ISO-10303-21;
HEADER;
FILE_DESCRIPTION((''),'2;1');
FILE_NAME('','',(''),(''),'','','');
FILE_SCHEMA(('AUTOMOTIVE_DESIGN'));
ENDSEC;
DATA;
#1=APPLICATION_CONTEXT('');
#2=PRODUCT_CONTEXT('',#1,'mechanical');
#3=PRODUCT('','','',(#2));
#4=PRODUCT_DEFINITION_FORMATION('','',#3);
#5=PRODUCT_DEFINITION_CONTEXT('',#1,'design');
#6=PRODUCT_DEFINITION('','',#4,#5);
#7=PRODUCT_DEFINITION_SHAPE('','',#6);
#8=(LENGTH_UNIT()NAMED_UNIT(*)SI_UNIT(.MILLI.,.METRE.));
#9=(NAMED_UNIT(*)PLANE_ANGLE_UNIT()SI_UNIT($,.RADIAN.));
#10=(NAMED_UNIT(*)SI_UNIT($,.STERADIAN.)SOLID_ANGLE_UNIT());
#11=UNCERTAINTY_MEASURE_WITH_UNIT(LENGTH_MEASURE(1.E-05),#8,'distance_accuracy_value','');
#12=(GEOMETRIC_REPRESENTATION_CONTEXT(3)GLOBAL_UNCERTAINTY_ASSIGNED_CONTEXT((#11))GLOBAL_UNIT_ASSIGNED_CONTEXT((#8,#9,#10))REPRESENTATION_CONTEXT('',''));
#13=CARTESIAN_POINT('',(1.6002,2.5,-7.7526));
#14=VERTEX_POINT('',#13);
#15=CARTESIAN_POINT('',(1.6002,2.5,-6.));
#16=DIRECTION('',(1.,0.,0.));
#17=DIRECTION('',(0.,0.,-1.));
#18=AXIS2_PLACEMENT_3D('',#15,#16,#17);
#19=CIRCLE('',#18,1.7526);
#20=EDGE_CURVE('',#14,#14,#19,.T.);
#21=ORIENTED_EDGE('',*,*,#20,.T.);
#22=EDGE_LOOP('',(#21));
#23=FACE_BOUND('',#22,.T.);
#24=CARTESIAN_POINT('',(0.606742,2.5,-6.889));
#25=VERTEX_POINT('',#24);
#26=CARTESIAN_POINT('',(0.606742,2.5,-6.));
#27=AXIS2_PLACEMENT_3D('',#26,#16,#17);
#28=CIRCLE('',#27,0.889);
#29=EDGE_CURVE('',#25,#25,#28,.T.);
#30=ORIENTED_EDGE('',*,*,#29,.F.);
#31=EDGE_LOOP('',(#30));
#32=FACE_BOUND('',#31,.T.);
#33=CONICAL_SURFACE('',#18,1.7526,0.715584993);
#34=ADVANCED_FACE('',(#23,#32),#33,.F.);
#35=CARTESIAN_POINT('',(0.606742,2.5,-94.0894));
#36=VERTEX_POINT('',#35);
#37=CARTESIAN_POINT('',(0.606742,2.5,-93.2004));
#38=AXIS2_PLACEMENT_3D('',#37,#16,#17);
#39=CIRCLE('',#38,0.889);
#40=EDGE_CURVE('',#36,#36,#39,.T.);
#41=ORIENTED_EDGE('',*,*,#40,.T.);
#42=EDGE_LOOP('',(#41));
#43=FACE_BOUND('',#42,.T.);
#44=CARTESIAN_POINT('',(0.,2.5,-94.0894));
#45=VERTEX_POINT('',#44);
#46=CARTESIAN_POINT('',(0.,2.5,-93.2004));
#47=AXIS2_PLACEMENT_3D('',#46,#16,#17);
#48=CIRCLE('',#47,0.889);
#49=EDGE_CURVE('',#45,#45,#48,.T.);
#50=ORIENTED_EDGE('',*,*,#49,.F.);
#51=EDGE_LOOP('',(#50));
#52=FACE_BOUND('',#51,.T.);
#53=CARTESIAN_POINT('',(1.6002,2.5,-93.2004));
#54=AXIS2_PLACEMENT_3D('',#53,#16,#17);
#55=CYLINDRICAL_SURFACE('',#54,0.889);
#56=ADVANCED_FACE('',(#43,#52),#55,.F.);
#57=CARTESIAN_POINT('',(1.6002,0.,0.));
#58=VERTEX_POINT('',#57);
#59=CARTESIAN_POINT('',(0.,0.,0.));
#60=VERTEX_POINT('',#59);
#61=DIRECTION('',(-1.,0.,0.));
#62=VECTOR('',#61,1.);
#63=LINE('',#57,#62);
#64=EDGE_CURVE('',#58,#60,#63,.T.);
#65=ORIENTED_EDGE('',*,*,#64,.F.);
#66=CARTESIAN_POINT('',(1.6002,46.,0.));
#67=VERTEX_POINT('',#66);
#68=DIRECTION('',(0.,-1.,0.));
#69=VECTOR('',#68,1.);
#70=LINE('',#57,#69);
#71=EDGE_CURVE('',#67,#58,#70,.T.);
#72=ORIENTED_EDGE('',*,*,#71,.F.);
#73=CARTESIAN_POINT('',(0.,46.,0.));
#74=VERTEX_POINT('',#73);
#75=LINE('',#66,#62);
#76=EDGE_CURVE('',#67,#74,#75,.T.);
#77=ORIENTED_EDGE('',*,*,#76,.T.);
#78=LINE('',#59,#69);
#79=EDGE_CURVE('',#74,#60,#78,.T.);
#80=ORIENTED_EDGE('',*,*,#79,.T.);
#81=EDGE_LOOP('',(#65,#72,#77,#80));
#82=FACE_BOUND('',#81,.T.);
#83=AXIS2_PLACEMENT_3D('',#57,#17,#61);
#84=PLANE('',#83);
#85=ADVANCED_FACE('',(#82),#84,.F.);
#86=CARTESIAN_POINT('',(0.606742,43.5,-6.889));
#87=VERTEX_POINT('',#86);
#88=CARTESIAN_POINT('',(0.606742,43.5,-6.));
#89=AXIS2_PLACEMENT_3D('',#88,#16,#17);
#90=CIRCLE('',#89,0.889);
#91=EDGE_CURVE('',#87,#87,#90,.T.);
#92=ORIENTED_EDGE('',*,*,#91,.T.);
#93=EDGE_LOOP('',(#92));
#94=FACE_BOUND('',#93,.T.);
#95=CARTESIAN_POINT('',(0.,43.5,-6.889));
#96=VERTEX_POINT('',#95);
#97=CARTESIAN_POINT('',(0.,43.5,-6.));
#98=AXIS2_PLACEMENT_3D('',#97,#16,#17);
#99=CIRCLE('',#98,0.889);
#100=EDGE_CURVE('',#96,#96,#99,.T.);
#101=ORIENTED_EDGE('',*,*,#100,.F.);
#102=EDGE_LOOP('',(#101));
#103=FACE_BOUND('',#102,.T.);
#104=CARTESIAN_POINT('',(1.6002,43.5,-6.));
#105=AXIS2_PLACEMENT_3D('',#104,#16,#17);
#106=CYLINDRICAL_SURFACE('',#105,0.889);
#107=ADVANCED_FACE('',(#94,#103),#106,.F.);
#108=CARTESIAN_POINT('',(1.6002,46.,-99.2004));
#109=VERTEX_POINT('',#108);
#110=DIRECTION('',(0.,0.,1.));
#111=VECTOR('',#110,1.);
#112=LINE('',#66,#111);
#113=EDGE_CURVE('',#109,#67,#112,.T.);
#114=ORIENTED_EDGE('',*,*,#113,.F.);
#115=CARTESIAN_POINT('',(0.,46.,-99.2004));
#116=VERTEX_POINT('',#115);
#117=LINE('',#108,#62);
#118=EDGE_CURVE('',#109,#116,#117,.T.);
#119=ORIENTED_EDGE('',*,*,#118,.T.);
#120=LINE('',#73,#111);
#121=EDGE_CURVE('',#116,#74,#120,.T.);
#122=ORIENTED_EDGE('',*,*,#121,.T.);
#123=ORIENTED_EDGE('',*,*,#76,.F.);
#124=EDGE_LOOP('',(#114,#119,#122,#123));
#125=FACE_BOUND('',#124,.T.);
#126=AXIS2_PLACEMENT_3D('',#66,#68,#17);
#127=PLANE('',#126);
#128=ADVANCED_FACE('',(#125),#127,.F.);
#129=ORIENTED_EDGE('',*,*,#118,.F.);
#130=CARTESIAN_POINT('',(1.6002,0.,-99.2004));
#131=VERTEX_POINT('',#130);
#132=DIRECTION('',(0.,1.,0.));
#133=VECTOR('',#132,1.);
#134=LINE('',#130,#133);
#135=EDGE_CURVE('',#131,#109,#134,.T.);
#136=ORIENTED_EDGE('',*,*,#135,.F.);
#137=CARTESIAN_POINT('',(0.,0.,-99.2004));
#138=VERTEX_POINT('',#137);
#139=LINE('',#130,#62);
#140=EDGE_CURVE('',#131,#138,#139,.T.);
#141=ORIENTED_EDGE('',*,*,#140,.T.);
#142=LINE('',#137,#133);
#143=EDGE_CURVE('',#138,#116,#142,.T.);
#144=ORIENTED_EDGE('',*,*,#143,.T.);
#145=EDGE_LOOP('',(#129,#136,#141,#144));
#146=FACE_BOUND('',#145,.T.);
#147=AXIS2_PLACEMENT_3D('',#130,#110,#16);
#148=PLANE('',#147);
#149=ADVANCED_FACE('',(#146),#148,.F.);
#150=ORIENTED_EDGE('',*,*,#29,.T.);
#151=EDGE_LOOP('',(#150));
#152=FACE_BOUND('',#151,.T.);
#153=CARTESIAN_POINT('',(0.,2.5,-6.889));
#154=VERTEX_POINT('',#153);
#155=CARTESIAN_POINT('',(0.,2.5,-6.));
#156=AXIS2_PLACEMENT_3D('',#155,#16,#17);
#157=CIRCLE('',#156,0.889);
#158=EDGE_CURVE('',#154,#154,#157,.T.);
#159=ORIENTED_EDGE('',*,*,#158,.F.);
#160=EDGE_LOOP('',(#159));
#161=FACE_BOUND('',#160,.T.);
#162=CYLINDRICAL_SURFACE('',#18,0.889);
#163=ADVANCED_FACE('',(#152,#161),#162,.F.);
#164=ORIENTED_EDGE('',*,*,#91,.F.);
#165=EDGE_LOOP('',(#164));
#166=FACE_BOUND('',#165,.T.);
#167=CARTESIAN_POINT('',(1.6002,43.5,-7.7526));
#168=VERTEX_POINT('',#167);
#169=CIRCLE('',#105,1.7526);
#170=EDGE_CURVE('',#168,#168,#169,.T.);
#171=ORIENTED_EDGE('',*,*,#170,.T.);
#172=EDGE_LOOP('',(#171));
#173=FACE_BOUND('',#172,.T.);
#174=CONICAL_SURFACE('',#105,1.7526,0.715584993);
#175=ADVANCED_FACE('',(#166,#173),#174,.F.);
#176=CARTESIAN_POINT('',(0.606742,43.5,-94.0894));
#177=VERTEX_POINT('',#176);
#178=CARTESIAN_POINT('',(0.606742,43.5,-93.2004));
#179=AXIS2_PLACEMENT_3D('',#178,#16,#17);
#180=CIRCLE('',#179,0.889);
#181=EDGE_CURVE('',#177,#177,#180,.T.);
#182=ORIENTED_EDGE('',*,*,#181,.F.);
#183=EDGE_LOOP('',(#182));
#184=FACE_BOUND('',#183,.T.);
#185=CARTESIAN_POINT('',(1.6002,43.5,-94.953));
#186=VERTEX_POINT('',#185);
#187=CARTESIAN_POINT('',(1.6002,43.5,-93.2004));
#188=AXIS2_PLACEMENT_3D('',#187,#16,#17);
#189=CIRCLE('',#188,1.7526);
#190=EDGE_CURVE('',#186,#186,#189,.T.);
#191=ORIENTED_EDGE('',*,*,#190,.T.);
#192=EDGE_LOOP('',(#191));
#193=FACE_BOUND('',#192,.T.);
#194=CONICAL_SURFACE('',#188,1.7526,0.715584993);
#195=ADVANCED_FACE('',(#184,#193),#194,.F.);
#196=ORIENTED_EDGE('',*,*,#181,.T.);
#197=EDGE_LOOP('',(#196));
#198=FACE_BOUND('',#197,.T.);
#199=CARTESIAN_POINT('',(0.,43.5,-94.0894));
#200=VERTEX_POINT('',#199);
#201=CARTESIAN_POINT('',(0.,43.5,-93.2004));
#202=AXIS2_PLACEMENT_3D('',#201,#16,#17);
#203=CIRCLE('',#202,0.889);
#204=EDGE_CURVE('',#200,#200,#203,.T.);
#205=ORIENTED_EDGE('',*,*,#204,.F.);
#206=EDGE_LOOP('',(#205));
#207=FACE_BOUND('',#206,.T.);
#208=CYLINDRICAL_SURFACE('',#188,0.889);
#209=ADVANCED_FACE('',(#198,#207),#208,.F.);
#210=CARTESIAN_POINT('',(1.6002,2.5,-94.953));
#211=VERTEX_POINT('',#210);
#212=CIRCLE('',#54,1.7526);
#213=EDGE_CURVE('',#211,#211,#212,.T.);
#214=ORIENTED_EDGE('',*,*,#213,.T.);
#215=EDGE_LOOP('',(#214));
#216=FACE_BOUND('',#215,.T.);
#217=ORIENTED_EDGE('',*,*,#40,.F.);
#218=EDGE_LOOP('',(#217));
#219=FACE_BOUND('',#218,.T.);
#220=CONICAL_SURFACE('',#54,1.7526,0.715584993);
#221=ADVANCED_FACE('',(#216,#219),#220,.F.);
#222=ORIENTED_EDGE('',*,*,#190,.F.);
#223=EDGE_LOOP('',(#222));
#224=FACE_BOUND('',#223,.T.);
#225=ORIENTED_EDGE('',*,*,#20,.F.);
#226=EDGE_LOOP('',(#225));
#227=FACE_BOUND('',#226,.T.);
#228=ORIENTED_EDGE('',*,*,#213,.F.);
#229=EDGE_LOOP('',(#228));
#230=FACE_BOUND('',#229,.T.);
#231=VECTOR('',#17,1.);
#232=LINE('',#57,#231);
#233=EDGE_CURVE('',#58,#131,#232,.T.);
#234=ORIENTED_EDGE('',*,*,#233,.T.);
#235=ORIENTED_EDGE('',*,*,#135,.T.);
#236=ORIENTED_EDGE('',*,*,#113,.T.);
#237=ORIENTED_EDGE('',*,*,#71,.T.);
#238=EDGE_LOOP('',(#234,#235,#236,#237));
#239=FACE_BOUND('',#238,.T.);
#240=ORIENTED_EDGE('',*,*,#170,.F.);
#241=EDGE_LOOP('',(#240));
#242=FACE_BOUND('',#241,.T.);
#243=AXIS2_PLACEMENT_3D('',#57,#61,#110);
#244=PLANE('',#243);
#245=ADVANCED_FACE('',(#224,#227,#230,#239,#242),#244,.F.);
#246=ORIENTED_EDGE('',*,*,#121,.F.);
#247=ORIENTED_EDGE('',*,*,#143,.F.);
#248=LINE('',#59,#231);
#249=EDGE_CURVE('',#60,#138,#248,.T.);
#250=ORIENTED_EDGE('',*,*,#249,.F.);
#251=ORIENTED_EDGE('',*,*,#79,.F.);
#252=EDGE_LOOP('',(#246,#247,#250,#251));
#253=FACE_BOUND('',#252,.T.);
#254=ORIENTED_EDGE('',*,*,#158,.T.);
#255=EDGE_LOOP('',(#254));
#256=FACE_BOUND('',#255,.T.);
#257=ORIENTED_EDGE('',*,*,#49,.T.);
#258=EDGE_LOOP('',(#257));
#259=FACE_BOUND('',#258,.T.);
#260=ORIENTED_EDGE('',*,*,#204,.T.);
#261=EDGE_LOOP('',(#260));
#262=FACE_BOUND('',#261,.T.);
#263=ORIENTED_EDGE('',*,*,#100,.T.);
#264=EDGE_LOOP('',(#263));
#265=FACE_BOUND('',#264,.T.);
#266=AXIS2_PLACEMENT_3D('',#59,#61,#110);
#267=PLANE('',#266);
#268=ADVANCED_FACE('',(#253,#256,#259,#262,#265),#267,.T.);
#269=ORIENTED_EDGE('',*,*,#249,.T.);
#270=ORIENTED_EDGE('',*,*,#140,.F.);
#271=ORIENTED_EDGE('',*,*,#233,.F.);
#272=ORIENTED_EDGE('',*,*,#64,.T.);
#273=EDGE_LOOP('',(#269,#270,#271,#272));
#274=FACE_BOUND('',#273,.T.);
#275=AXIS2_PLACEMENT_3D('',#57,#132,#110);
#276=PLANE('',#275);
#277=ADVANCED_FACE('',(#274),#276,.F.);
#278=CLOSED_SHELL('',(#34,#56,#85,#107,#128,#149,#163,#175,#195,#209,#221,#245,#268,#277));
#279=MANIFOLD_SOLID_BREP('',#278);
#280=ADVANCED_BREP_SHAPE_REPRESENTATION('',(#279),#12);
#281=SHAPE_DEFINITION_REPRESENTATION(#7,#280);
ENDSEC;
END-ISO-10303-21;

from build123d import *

# Parameters (mm, degrees)
SKETCH1_W                                     = 99.2004
SKETCH1_H                                     = 46
BOSS_EXTRUDE1_DEPTH                           = 1.6002
CSK_FOR_0_FLAT_HEAD_SOCKET_CAP_SCREW1_A_COUNT = 2
CSK_FOR_0_FLAT_HEAD_SOCKET_CAP_SCREW1_A_PITCH = 41
CSK_FOR_0_FLAT_HEAD_SOCKET_CAP_SCRE_2_COUNT   = 2
CSK_FOR_0_FLAT_HEAD_SOCKET_CAP_SCRE_2_PITCH   = 96.358236597
CSK_FOR_0_FLAT_HEAD_SOCKET_CAP_SCRE_3_COUNT   = 2
CSK_FOR_0_FLAT_HEAD_SOCKET_CAP_SCRE_3_PITCH   = 87.2004


with BuildPart() as part:
    # Sketch1 → Boss-Extrude1 (new body)
    with BuildSketch(Plane(origin=(0, 0, 0), x_dir=(0, 0, -1), z_dir=(1, 0, 0))):
        with Locations((49.6002, 23)):
            Rectangle(SKETCH1_W, SKETCH1_H)
    extrude(amount=BOSS_EXTRUDE1_DEPTH)

    # Sketch4 → CSK for #0 Flat Head Socket Cap Screw1 (revolve, cut)
    with BuildSketch(Plane(origin=(1.6002, 43.5, -6), x_dir=(0, 0, -1), z_dir=(0, 1, 0))):
        Polygon((0, 0), (0, 1.6002), (0.889, 1.6002), (0.889, 0.993458156), (1.7526, 0), align=None)
    csk_for_0_flat_head_socket_cap_screw1 = revolve(axis=Axis((7.9502, 43.5, -6), (-1, 0, 0)), mode=Mode.SUBTRACT)

    # CSK for #0 Flat Head Socket Cap Screw1 a: CSK for #0 Flat Head Socket Cap Screw1 ×2
    with Locations(*[(0, -i * CSK_FOR_0_FLAT_HEAD_SOCKET_CAP_SCREW1_A_PITCH, 0) for i in range(1, CSK_FOR_0_FLAT_HEAD_SOCKET_CAP_SCREW1_A_COUNT)]):
        add(csk_for_0_flat_head_socket_cap_screw1, mode=Mode.SUBTRACT)

    # CSK for _0 Flat Head Socket Cap Scre 2: CSK for #0 Flat Head Socket Cap Screw1 ×2
    with Locations(*[Vector(0, -0.425495541, -0.904960521) * (i * CSK_FOR_0_FLAT_HEAD_SOCKET_CAP_SCRE_2_PITCH) for i in range(1, CSK_FOR_0_FLAT_HEAD_SOCKET_CAP_SCRE_2_COUNT)]):
        add(csk_for_0_flat_head_socket_cap_screw1, mode=Mode.SUBTRACT)

    # CSK for _0 Flat Head Socket Cap Scre 3: CSK for #0 Flat Head Socket Cap Screw1 ×2
    with Locations(*[(0, 0, -i * CSK_FOR_0_FLAT_HEAD_SOCKET_CAP_SCRE_3_PITCH) for i in range(1, CSK_FOR_0_FLAT_HEAD_SOCKET_CAP_SCRE_3_COUNT)]):
        add(csk_for_0_flat_head_socket_cap_screw1, mode=Mode.SUBTRACT)


solid = part.part
